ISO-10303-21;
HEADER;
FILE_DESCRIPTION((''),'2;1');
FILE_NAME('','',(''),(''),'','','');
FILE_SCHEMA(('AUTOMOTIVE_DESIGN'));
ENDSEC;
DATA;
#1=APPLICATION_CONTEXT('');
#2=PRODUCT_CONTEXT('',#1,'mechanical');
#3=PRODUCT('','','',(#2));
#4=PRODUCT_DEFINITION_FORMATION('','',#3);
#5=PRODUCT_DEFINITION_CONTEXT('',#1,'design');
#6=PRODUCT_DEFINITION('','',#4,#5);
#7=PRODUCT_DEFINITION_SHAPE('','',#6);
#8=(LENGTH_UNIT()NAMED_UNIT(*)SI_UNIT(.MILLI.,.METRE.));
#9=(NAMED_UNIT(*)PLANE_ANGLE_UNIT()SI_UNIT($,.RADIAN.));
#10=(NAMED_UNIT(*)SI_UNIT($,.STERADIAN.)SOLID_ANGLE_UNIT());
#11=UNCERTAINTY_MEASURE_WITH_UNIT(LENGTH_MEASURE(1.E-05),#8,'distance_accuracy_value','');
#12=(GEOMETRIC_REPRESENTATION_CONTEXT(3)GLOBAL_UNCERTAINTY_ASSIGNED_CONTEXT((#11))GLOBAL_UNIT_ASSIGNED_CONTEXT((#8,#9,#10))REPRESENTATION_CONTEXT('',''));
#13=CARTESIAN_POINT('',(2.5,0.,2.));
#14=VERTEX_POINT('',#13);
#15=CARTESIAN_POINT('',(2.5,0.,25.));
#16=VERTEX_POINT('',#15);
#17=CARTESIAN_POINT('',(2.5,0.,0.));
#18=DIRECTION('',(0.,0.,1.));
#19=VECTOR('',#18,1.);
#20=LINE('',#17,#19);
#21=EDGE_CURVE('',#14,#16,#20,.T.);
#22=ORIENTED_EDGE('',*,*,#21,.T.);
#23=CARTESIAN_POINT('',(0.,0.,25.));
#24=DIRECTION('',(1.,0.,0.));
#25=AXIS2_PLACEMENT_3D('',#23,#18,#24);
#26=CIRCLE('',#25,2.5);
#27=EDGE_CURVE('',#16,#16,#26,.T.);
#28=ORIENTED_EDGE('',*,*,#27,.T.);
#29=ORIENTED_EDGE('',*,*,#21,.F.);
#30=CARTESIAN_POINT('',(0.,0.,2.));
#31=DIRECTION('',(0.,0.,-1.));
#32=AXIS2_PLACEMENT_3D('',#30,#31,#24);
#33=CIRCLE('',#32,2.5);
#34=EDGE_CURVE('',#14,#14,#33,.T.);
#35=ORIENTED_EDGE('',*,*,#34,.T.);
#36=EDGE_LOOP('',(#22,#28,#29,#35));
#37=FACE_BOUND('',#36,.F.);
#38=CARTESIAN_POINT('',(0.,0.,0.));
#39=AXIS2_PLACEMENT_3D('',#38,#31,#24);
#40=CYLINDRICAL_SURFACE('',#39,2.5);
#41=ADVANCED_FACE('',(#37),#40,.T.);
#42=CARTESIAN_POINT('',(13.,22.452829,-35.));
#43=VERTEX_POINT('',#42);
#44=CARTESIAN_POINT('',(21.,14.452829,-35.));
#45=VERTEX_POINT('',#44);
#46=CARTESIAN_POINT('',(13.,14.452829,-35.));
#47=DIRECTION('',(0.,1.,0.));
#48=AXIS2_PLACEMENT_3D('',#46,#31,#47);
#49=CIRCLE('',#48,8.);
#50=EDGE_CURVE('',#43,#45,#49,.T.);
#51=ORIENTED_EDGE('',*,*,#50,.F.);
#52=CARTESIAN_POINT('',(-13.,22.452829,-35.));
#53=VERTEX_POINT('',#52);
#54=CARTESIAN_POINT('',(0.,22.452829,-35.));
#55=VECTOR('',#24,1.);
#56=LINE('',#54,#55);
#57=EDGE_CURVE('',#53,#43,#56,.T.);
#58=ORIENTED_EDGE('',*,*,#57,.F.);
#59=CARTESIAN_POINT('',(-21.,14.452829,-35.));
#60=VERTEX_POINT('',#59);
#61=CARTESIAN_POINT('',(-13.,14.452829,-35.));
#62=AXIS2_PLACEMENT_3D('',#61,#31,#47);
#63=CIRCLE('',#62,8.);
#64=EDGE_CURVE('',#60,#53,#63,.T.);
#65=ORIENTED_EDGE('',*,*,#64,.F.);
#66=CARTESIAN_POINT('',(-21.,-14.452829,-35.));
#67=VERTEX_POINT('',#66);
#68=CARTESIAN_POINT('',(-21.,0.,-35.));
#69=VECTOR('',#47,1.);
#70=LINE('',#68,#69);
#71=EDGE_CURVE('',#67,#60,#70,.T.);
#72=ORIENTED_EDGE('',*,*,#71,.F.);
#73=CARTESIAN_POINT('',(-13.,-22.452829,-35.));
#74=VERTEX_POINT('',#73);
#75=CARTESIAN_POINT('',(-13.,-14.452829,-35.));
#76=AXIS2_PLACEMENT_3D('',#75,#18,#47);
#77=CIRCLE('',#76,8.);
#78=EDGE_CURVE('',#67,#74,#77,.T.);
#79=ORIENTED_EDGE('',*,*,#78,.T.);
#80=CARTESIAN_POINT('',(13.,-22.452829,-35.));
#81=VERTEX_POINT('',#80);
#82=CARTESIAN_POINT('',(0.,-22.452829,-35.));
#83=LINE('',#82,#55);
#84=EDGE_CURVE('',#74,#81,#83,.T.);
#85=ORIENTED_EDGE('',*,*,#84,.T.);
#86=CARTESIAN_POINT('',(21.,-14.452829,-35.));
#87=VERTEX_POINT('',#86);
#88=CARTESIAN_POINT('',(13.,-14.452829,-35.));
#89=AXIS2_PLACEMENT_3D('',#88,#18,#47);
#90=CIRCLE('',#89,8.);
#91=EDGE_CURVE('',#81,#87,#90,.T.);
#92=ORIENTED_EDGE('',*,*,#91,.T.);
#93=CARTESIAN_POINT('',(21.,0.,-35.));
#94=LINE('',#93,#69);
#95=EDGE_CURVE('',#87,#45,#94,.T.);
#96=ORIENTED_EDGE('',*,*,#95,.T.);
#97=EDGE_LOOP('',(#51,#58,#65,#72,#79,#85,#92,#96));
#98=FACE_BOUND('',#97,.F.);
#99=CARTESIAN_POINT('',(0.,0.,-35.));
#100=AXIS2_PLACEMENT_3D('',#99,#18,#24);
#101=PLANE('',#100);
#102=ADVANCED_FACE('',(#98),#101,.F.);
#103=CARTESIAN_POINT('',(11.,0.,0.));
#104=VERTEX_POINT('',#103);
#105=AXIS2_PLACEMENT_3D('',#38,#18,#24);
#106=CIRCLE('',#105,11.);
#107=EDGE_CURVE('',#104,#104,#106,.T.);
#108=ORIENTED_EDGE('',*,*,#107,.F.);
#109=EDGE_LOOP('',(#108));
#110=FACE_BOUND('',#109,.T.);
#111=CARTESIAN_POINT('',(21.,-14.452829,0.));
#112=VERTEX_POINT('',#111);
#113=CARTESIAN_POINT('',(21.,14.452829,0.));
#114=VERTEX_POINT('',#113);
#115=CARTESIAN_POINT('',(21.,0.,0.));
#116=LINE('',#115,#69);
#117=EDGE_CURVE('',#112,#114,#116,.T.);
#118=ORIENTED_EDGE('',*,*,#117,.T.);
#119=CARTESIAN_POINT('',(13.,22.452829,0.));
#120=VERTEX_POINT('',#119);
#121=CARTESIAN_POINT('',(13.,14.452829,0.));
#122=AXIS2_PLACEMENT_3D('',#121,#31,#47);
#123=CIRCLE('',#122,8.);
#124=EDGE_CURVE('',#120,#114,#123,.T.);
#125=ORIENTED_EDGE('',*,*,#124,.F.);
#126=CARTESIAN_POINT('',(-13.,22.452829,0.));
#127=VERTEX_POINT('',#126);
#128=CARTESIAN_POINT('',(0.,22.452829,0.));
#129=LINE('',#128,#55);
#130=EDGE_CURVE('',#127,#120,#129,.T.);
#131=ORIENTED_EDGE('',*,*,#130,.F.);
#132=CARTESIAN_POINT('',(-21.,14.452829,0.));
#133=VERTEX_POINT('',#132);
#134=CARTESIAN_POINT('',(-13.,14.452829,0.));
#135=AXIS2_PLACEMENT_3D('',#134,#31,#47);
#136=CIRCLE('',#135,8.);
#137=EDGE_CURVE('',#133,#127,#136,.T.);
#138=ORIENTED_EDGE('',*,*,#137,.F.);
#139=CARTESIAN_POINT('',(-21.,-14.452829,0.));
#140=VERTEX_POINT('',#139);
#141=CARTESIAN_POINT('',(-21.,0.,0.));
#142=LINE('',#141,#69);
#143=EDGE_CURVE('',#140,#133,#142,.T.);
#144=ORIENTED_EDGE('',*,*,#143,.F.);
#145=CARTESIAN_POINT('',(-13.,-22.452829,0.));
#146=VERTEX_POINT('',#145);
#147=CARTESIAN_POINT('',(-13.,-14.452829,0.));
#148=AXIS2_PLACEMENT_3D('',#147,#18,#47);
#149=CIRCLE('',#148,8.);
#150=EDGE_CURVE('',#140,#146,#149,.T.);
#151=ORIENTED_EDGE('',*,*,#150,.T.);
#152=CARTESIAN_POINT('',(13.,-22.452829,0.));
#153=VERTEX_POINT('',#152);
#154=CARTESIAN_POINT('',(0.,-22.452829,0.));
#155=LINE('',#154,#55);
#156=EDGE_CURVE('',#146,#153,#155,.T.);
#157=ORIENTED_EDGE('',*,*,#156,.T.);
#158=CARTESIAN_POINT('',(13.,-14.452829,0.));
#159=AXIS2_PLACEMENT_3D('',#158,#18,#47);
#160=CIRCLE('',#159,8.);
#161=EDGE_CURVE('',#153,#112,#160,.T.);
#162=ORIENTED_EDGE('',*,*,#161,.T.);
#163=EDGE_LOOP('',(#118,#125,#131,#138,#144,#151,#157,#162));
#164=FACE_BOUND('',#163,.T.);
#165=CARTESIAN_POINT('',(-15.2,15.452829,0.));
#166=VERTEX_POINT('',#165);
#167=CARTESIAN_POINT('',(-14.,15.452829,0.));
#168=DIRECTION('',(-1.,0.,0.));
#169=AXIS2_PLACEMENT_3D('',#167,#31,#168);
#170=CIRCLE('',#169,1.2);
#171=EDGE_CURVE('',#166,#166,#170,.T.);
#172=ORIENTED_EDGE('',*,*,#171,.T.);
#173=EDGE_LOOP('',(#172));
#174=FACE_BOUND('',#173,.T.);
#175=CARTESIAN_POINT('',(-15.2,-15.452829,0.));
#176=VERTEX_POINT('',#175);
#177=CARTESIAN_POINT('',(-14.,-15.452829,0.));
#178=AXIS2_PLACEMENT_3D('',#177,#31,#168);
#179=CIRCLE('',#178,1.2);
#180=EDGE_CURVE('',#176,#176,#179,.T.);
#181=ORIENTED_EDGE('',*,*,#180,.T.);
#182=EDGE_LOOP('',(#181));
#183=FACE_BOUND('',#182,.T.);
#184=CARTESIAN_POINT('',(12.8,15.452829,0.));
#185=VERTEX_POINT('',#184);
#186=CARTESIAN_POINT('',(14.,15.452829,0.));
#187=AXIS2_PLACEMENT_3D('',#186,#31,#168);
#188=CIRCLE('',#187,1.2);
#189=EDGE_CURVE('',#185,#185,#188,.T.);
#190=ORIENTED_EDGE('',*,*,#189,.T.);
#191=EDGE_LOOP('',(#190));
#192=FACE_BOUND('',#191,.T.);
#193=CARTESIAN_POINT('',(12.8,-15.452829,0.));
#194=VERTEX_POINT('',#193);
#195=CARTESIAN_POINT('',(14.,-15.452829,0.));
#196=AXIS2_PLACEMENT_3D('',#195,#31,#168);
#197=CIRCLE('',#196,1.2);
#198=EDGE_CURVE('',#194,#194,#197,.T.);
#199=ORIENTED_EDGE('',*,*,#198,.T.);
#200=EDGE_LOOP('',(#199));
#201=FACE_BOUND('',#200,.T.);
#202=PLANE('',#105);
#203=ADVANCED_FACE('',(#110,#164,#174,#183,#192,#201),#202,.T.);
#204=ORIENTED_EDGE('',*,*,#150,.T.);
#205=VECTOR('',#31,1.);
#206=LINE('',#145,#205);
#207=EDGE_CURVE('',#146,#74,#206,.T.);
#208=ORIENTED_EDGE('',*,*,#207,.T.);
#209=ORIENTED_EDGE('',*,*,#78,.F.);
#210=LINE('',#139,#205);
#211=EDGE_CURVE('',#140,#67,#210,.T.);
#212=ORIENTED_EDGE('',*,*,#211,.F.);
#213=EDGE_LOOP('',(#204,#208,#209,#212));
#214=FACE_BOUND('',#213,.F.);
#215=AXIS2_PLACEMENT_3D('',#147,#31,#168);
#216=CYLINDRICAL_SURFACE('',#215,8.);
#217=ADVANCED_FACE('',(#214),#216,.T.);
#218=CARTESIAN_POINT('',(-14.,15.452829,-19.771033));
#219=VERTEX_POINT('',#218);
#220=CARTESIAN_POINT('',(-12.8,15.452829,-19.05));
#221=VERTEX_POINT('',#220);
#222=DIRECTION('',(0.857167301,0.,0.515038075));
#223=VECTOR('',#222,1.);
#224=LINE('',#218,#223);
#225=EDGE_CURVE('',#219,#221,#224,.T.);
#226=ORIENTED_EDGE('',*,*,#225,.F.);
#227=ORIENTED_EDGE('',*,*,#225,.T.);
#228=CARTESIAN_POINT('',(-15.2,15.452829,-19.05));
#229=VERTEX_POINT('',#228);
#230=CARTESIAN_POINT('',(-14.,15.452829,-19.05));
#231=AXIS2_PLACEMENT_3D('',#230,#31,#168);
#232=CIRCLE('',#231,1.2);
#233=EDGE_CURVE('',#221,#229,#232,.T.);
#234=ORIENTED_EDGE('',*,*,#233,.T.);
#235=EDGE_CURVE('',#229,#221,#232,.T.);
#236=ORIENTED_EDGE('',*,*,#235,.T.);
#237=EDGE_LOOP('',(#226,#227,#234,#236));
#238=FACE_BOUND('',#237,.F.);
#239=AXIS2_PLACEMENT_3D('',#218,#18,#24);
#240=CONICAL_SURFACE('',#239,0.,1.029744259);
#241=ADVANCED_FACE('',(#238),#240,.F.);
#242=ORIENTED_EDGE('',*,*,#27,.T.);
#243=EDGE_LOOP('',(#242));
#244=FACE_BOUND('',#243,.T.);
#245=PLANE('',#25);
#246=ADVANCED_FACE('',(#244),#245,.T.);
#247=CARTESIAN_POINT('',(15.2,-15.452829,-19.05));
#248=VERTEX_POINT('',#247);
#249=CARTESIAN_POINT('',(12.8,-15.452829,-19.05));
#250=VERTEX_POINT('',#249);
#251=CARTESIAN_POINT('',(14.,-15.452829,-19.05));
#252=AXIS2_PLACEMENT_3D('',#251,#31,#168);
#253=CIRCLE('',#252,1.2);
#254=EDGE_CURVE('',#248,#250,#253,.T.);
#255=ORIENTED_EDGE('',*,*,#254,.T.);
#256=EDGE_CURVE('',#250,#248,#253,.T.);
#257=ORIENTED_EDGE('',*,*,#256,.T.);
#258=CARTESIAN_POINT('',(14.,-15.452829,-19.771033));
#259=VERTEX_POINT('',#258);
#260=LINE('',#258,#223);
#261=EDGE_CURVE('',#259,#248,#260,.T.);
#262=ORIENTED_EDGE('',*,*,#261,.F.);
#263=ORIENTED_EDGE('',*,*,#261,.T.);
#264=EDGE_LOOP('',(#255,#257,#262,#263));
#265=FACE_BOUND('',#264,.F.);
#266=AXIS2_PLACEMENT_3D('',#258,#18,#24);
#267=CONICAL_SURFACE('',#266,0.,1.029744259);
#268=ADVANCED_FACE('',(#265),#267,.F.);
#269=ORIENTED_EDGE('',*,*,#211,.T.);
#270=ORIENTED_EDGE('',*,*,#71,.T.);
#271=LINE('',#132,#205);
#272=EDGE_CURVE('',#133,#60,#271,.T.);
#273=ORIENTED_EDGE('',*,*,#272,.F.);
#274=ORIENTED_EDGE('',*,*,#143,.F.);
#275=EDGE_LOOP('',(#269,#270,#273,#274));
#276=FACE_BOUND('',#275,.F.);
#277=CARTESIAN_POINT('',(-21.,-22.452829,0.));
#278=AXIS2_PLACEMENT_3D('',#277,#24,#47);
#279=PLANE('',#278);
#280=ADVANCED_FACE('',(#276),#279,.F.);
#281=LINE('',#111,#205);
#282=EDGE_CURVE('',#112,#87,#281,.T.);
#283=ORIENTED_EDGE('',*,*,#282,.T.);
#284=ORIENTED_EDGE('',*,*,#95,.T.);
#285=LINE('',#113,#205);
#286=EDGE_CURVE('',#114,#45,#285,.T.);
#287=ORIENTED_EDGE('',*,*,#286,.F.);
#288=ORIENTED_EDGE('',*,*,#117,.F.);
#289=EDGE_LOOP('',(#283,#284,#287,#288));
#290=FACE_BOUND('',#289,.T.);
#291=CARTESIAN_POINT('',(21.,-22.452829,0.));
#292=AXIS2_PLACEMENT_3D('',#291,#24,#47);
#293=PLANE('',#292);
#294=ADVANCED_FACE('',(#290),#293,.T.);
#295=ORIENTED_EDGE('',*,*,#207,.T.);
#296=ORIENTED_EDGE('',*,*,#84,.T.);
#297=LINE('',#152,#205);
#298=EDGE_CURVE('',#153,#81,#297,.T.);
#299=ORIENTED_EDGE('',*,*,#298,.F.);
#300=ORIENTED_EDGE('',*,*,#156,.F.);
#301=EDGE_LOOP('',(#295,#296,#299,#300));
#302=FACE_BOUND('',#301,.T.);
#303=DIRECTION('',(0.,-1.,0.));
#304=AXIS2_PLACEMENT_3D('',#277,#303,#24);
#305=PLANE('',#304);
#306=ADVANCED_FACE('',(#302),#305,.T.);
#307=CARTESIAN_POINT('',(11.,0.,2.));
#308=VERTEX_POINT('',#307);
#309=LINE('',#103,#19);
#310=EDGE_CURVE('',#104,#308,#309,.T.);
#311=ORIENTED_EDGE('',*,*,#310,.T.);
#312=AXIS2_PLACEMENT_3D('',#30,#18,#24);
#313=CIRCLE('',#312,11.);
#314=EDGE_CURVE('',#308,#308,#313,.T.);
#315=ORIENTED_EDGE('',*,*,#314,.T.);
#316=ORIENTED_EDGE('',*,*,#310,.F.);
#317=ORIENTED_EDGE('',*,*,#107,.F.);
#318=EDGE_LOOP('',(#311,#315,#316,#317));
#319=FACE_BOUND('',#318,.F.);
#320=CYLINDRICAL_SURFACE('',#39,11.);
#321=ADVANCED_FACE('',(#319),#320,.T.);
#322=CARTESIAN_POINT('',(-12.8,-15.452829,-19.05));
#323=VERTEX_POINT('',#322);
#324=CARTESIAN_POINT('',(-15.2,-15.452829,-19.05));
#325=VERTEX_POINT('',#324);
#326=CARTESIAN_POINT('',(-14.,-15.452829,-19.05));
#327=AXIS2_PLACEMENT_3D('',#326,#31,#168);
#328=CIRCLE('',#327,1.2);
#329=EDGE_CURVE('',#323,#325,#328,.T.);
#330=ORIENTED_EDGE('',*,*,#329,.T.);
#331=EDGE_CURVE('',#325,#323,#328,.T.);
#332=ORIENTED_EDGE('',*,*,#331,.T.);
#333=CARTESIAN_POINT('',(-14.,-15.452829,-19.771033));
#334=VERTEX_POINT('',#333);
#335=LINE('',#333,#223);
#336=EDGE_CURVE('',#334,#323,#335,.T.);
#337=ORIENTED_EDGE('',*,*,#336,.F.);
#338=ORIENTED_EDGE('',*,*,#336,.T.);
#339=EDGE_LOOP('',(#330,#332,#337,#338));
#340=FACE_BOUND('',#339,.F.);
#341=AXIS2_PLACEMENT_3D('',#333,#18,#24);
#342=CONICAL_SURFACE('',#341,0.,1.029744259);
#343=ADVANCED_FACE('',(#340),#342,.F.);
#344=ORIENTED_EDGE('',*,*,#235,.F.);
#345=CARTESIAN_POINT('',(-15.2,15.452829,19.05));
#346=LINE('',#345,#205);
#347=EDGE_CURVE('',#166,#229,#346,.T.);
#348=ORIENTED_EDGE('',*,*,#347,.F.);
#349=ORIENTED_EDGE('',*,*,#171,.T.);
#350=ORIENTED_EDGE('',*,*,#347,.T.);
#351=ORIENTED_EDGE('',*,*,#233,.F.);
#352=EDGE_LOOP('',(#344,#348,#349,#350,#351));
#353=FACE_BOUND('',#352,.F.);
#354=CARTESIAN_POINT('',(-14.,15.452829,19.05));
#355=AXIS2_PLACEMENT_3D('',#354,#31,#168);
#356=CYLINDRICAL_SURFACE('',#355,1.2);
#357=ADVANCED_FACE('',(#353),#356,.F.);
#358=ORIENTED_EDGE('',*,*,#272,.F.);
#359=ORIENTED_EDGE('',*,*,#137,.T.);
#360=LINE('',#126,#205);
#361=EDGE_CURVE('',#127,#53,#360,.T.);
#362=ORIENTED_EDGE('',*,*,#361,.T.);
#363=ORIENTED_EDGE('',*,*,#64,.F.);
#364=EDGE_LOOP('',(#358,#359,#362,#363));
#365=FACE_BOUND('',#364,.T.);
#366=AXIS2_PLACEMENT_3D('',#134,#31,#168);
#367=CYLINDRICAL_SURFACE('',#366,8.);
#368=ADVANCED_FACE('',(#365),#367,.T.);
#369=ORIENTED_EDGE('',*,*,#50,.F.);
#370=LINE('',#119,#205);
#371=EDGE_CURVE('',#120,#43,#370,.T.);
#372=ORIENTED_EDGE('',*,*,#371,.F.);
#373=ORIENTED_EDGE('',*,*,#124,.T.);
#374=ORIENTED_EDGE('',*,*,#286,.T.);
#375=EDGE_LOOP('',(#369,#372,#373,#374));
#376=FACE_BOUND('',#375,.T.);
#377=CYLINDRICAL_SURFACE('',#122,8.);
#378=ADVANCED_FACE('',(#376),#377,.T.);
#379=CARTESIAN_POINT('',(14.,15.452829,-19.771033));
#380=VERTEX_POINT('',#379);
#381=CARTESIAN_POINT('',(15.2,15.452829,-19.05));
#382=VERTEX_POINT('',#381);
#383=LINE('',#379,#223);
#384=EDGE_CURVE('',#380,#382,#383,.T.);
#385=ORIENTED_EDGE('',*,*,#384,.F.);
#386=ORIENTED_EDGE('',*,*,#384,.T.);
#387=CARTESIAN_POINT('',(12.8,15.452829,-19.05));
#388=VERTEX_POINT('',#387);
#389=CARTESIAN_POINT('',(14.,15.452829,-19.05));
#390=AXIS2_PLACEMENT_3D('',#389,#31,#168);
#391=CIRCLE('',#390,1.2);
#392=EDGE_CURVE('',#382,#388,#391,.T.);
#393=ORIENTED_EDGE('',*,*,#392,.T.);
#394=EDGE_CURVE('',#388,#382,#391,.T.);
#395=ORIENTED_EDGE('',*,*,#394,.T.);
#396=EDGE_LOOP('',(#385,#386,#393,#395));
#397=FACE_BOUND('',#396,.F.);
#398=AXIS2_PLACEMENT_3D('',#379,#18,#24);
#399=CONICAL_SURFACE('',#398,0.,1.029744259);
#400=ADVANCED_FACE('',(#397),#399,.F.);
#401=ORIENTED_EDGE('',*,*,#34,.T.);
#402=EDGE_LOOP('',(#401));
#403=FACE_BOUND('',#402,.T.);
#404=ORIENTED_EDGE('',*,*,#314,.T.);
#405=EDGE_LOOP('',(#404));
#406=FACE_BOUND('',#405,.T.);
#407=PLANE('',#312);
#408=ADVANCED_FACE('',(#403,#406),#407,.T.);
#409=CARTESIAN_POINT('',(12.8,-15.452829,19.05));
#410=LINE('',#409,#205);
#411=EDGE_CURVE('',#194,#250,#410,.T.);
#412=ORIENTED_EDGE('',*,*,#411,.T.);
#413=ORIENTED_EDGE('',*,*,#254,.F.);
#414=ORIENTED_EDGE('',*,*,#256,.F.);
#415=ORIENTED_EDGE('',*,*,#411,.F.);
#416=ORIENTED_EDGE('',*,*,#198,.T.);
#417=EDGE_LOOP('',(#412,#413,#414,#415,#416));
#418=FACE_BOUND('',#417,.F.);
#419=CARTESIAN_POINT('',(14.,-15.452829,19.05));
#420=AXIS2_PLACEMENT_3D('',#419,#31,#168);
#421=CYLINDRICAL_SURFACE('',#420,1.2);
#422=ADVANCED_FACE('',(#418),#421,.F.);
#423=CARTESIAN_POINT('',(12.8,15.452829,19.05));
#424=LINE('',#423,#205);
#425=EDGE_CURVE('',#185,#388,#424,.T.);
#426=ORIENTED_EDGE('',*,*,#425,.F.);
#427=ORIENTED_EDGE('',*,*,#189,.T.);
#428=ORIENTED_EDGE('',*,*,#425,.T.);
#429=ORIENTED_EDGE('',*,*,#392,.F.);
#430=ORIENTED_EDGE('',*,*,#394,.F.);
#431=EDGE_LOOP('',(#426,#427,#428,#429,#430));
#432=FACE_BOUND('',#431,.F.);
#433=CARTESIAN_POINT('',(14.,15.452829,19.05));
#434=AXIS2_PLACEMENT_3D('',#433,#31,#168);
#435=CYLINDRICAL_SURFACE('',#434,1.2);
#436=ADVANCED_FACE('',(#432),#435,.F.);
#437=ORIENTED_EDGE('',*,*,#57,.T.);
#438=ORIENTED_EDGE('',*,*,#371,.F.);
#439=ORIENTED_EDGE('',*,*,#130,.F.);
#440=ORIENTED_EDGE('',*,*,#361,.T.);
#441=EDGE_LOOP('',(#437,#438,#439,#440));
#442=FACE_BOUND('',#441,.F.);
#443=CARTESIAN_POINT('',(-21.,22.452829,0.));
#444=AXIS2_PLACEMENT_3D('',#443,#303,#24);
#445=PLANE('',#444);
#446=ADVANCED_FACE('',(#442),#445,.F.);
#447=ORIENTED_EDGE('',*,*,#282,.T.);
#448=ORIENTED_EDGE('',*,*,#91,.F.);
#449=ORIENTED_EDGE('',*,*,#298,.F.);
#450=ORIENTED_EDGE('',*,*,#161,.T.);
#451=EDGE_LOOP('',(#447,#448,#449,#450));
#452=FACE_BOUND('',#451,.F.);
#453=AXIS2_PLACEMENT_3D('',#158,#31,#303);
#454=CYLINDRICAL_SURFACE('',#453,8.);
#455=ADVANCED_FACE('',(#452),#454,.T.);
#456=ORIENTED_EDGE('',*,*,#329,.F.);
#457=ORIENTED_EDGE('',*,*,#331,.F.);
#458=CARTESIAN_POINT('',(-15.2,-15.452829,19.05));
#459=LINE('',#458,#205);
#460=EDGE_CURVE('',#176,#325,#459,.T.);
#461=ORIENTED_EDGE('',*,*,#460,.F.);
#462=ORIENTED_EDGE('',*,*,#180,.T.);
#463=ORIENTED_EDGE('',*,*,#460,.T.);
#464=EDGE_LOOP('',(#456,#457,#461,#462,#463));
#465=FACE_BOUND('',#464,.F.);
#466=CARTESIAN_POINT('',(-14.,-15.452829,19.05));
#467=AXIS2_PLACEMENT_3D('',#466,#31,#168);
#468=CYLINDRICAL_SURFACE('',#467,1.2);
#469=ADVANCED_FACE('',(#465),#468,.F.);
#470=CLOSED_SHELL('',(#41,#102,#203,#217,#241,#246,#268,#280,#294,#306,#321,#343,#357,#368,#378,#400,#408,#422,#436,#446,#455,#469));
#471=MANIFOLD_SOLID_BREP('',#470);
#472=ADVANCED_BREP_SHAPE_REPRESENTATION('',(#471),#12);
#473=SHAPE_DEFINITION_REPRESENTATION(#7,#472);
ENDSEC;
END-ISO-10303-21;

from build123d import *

# Parameters (mm, degrees)
F0_W     = 42
F0_H     = 44.9056578597
F0_R     = 1.5
F0_R_2   = 11
F0_R_3   = 2.5
F1_DEPTH = 35
F2_DEPTH = 2
F3_DEPTH = 25
F4_D     = 2.4
F4_DEPTH = 19.05
F4_TIP   = 0.7210327428
F5_R     = 8


with BuildPart() as f1:
    # F0 (on Top) → F1 (new body)
    with BuildSketch(Plane.XY):
        Rectangle(F0_W, F0_H)
        with Locations((-14, -15.4528289299)):
            Circle(F0_R, mode=Mode.SUBTRACT)
        with Locations((14, -15.4528289299)):
            Circle(F0_R, mode=Mode.SUBTRACT)
        Circle(F0_R_2, mode=Mode.SUBTRACT)
        with Locations((-14, 15.4528289299)):
            Circle(F0_R, mode=Mode.SUBTRACT)
        with Locations((14, 15.4528289299)):
            Circle(F0_R, mode=Mode.SUBTRACT)
        with Locations((-14, -15.4528289299)):
            Circle(F0_R)
        Circle(F0_R_2)
        Circle(F0_R_3, mode=Mode.SUBTRACT)
        Circle(F0_R_3)
        with Locations((14, -15.4528289299)):
            Circle(F0_R)
        with Locations((-14, 15.4528289299)):
            Circle(F0_R)
        with Locations((14, 15.4528289299)):
            Circle(F0_R)
    extrude(amount=-F1_DEPTH)

    # F0 (on Top) → F2 (join)
    with BuildSketch(Plane.XY):
        Circle(F0_R_2)
        Circle(F0_R_3, mode=Mode.SUBTRACT)
        Circle(F0_R_3)
    extrude(amount=F2_DEPTH)

    # F0 (on Top) → F3 (join)
    with BuildSketch(Plane.XY):
        Circle(F0_R_3)
    extrude(amount=F3_DEPTH)

    # F4
    with Locations(Plane.XY):
        with Locations((-14, 15.4528289299), (14, 15.4528289299), (14, -15.4528289299), (-14, -15.4528289299)):
            Hole(F4_D / 2, depth=F4_DEPTH)
            with Locations((0, 0, -(F4_DEPTH + F4_TIP / 2))):  # 118° drill point
                Cone(0, F4_D / 2, F4_TIP, mode=Mode.SUBTRACT)

    # F5
    f5_edges = [f1.edges().sort_by_distance(p)[0] for p in [
        (21, 22.452829, -17.5),
        (21, -22.452829, -17.5),
        (-21, 22.452829, -17.5),
        (-21, -22.452829, -17.5),
    ]]
    fillet(f5_edges, radius=F5_R)


solid = f1.part
